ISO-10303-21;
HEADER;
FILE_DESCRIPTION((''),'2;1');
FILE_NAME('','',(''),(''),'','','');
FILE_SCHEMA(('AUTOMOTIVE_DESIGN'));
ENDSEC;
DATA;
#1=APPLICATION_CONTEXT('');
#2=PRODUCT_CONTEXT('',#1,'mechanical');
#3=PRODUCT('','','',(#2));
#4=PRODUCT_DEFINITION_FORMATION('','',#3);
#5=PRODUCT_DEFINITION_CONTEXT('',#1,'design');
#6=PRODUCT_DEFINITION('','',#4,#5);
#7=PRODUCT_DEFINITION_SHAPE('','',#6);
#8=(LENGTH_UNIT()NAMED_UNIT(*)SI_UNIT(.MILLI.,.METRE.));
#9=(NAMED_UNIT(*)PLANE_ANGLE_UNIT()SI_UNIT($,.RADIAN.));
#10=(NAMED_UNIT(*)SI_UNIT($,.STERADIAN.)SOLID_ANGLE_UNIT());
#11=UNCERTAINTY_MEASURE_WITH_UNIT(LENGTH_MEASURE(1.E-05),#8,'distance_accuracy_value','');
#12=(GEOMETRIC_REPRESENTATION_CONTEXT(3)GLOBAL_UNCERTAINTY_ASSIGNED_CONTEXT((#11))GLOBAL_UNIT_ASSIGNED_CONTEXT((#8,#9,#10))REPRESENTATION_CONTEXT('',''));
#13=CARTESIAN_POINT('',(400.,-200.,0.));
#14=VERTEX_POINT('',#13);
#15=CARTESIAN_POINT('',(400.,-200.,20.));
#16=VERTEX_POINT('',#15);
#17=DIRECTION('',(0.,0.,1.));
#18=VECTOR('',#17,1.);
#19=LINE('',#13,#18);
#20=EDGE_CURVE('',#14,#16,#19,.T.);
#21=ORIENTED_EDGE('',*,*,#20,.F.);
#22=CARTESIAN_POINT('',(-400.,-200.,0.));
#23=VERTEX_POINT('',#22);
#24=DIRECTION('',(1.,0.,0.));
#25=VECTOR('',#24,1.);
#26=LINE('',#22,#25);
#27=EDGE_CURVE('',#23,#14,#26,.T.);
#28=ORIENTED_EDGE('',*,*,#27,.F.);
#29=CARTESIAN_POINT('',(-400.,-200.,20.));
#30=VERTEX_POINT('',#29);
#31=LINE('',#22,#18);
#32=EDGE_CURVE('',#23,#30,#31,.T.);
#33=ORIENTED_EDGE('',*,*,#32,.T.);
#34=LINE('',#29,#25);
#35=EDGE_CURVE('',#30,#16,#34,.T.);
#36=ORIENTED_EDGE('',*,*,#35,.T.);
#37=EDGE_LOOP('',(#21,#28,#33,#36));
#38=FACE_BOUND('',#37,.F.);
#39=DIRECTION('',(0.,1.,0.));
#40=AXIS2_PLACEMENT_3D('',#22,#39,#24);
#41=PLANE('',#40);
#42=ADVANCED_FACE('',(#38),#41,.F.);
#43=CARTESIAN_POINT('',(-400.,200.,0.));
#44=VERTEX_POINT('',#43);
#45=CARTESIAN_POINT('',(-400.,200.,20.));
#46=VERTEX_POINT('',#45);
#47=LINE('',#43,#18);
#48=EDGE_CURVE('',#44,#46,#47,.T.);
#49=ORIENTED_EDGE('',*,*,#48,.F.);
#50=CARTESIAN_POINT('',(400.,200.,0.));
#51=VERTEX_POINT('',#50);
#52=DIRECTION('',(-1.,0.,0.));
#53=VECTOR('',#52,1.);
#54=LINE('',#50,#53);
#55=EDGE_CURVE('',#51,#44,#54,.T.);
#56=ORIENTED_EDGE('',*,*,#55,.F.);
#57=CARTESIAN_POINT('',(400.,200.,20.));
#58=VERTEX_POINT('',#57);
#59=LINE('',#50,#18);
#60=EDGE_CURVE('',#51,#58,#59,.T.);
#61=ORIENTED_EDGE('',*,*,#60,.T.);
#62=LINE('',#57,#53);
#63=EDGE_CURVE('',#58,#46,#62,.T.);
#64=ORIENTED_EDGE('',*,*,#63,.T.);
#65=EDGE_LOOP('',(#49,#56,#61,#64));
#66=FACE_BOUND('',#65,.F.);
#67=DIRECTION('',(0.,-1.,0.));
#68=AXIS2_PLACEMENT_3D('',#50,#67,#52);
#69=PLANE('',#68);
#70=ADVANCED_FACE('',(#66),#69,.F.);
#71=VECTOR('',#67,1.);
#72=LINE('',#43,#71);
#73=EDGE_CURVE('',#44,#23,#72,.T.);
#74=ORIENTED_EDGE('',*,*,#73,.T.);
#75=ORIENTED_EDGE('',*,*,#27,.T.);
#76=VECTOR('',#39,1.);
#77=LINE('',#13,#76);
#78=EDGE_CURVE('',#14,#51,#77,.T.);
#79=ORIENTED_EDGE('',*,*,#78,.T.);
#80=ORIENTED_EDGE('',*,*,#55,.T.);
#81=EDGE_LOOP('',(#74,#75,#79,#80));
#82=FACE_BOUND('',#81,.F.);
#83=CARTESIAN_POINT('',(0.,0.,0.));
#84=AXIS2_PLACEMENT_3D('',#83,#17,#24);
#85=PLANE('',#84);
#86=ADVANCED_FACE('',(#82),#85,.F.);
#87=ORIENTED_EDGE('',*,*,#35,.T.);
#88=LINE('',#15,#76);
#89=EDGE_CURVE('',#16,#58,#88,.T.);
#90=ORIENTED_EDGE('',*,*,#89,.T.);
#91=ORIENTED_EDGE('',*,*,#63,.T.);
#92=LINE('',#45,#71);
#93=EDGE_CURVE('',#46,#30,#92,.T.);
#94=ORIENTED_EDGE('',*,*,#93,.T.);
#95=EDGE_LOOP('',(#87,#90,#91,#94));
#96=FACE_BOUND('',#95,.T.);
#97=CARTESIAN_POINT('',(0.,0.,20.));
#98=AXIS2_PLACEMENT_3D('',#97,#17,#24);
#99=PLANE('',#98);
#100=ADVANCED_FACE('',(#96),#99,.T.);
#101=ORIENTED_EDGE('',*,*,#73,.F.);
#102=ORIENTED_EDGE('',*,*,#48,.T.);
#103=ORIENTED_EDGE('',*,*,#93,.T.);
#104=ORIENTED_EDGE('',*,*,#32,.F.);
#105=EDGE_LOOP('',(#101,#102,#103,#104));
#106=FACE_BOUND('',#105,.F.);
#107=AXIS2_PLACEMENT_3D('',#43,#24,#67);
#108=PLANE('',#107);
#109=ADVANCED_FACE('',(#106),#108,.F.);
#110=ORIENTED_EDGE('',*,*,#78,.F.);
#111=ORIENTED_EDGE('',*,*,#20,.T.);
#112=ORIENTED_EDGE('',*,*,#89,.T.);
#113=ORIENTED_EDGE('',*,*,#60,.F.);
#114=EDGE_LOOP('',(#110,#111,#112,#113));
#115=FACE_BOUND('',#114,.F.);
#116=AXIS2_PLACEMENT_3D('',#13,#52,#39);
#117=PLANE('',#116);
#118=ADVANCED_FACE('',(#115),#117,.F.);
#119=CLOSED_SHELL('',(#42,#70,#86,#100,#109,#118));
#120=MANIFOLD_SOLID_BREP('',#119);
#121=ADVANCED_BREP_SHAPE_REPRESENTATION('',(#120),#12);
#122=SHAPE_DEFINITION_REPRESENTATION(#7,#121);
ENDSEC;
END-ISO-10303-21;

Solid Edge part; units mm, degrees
sketch "Sketch1" plane through (0, 0, 0) normal (0, 0, 1) x (1, 0, 0)
  line L0 (400, 200) -> (-400, 200)
  line L1 (-400, 200) -> (-400, -200)
  line L2 (-400, -200) -> (400, -200)
  line L3 (400, -200) -> (400, 200)
extrude "Protrusion1" add sketch "Sketch1" along normal blind 20
